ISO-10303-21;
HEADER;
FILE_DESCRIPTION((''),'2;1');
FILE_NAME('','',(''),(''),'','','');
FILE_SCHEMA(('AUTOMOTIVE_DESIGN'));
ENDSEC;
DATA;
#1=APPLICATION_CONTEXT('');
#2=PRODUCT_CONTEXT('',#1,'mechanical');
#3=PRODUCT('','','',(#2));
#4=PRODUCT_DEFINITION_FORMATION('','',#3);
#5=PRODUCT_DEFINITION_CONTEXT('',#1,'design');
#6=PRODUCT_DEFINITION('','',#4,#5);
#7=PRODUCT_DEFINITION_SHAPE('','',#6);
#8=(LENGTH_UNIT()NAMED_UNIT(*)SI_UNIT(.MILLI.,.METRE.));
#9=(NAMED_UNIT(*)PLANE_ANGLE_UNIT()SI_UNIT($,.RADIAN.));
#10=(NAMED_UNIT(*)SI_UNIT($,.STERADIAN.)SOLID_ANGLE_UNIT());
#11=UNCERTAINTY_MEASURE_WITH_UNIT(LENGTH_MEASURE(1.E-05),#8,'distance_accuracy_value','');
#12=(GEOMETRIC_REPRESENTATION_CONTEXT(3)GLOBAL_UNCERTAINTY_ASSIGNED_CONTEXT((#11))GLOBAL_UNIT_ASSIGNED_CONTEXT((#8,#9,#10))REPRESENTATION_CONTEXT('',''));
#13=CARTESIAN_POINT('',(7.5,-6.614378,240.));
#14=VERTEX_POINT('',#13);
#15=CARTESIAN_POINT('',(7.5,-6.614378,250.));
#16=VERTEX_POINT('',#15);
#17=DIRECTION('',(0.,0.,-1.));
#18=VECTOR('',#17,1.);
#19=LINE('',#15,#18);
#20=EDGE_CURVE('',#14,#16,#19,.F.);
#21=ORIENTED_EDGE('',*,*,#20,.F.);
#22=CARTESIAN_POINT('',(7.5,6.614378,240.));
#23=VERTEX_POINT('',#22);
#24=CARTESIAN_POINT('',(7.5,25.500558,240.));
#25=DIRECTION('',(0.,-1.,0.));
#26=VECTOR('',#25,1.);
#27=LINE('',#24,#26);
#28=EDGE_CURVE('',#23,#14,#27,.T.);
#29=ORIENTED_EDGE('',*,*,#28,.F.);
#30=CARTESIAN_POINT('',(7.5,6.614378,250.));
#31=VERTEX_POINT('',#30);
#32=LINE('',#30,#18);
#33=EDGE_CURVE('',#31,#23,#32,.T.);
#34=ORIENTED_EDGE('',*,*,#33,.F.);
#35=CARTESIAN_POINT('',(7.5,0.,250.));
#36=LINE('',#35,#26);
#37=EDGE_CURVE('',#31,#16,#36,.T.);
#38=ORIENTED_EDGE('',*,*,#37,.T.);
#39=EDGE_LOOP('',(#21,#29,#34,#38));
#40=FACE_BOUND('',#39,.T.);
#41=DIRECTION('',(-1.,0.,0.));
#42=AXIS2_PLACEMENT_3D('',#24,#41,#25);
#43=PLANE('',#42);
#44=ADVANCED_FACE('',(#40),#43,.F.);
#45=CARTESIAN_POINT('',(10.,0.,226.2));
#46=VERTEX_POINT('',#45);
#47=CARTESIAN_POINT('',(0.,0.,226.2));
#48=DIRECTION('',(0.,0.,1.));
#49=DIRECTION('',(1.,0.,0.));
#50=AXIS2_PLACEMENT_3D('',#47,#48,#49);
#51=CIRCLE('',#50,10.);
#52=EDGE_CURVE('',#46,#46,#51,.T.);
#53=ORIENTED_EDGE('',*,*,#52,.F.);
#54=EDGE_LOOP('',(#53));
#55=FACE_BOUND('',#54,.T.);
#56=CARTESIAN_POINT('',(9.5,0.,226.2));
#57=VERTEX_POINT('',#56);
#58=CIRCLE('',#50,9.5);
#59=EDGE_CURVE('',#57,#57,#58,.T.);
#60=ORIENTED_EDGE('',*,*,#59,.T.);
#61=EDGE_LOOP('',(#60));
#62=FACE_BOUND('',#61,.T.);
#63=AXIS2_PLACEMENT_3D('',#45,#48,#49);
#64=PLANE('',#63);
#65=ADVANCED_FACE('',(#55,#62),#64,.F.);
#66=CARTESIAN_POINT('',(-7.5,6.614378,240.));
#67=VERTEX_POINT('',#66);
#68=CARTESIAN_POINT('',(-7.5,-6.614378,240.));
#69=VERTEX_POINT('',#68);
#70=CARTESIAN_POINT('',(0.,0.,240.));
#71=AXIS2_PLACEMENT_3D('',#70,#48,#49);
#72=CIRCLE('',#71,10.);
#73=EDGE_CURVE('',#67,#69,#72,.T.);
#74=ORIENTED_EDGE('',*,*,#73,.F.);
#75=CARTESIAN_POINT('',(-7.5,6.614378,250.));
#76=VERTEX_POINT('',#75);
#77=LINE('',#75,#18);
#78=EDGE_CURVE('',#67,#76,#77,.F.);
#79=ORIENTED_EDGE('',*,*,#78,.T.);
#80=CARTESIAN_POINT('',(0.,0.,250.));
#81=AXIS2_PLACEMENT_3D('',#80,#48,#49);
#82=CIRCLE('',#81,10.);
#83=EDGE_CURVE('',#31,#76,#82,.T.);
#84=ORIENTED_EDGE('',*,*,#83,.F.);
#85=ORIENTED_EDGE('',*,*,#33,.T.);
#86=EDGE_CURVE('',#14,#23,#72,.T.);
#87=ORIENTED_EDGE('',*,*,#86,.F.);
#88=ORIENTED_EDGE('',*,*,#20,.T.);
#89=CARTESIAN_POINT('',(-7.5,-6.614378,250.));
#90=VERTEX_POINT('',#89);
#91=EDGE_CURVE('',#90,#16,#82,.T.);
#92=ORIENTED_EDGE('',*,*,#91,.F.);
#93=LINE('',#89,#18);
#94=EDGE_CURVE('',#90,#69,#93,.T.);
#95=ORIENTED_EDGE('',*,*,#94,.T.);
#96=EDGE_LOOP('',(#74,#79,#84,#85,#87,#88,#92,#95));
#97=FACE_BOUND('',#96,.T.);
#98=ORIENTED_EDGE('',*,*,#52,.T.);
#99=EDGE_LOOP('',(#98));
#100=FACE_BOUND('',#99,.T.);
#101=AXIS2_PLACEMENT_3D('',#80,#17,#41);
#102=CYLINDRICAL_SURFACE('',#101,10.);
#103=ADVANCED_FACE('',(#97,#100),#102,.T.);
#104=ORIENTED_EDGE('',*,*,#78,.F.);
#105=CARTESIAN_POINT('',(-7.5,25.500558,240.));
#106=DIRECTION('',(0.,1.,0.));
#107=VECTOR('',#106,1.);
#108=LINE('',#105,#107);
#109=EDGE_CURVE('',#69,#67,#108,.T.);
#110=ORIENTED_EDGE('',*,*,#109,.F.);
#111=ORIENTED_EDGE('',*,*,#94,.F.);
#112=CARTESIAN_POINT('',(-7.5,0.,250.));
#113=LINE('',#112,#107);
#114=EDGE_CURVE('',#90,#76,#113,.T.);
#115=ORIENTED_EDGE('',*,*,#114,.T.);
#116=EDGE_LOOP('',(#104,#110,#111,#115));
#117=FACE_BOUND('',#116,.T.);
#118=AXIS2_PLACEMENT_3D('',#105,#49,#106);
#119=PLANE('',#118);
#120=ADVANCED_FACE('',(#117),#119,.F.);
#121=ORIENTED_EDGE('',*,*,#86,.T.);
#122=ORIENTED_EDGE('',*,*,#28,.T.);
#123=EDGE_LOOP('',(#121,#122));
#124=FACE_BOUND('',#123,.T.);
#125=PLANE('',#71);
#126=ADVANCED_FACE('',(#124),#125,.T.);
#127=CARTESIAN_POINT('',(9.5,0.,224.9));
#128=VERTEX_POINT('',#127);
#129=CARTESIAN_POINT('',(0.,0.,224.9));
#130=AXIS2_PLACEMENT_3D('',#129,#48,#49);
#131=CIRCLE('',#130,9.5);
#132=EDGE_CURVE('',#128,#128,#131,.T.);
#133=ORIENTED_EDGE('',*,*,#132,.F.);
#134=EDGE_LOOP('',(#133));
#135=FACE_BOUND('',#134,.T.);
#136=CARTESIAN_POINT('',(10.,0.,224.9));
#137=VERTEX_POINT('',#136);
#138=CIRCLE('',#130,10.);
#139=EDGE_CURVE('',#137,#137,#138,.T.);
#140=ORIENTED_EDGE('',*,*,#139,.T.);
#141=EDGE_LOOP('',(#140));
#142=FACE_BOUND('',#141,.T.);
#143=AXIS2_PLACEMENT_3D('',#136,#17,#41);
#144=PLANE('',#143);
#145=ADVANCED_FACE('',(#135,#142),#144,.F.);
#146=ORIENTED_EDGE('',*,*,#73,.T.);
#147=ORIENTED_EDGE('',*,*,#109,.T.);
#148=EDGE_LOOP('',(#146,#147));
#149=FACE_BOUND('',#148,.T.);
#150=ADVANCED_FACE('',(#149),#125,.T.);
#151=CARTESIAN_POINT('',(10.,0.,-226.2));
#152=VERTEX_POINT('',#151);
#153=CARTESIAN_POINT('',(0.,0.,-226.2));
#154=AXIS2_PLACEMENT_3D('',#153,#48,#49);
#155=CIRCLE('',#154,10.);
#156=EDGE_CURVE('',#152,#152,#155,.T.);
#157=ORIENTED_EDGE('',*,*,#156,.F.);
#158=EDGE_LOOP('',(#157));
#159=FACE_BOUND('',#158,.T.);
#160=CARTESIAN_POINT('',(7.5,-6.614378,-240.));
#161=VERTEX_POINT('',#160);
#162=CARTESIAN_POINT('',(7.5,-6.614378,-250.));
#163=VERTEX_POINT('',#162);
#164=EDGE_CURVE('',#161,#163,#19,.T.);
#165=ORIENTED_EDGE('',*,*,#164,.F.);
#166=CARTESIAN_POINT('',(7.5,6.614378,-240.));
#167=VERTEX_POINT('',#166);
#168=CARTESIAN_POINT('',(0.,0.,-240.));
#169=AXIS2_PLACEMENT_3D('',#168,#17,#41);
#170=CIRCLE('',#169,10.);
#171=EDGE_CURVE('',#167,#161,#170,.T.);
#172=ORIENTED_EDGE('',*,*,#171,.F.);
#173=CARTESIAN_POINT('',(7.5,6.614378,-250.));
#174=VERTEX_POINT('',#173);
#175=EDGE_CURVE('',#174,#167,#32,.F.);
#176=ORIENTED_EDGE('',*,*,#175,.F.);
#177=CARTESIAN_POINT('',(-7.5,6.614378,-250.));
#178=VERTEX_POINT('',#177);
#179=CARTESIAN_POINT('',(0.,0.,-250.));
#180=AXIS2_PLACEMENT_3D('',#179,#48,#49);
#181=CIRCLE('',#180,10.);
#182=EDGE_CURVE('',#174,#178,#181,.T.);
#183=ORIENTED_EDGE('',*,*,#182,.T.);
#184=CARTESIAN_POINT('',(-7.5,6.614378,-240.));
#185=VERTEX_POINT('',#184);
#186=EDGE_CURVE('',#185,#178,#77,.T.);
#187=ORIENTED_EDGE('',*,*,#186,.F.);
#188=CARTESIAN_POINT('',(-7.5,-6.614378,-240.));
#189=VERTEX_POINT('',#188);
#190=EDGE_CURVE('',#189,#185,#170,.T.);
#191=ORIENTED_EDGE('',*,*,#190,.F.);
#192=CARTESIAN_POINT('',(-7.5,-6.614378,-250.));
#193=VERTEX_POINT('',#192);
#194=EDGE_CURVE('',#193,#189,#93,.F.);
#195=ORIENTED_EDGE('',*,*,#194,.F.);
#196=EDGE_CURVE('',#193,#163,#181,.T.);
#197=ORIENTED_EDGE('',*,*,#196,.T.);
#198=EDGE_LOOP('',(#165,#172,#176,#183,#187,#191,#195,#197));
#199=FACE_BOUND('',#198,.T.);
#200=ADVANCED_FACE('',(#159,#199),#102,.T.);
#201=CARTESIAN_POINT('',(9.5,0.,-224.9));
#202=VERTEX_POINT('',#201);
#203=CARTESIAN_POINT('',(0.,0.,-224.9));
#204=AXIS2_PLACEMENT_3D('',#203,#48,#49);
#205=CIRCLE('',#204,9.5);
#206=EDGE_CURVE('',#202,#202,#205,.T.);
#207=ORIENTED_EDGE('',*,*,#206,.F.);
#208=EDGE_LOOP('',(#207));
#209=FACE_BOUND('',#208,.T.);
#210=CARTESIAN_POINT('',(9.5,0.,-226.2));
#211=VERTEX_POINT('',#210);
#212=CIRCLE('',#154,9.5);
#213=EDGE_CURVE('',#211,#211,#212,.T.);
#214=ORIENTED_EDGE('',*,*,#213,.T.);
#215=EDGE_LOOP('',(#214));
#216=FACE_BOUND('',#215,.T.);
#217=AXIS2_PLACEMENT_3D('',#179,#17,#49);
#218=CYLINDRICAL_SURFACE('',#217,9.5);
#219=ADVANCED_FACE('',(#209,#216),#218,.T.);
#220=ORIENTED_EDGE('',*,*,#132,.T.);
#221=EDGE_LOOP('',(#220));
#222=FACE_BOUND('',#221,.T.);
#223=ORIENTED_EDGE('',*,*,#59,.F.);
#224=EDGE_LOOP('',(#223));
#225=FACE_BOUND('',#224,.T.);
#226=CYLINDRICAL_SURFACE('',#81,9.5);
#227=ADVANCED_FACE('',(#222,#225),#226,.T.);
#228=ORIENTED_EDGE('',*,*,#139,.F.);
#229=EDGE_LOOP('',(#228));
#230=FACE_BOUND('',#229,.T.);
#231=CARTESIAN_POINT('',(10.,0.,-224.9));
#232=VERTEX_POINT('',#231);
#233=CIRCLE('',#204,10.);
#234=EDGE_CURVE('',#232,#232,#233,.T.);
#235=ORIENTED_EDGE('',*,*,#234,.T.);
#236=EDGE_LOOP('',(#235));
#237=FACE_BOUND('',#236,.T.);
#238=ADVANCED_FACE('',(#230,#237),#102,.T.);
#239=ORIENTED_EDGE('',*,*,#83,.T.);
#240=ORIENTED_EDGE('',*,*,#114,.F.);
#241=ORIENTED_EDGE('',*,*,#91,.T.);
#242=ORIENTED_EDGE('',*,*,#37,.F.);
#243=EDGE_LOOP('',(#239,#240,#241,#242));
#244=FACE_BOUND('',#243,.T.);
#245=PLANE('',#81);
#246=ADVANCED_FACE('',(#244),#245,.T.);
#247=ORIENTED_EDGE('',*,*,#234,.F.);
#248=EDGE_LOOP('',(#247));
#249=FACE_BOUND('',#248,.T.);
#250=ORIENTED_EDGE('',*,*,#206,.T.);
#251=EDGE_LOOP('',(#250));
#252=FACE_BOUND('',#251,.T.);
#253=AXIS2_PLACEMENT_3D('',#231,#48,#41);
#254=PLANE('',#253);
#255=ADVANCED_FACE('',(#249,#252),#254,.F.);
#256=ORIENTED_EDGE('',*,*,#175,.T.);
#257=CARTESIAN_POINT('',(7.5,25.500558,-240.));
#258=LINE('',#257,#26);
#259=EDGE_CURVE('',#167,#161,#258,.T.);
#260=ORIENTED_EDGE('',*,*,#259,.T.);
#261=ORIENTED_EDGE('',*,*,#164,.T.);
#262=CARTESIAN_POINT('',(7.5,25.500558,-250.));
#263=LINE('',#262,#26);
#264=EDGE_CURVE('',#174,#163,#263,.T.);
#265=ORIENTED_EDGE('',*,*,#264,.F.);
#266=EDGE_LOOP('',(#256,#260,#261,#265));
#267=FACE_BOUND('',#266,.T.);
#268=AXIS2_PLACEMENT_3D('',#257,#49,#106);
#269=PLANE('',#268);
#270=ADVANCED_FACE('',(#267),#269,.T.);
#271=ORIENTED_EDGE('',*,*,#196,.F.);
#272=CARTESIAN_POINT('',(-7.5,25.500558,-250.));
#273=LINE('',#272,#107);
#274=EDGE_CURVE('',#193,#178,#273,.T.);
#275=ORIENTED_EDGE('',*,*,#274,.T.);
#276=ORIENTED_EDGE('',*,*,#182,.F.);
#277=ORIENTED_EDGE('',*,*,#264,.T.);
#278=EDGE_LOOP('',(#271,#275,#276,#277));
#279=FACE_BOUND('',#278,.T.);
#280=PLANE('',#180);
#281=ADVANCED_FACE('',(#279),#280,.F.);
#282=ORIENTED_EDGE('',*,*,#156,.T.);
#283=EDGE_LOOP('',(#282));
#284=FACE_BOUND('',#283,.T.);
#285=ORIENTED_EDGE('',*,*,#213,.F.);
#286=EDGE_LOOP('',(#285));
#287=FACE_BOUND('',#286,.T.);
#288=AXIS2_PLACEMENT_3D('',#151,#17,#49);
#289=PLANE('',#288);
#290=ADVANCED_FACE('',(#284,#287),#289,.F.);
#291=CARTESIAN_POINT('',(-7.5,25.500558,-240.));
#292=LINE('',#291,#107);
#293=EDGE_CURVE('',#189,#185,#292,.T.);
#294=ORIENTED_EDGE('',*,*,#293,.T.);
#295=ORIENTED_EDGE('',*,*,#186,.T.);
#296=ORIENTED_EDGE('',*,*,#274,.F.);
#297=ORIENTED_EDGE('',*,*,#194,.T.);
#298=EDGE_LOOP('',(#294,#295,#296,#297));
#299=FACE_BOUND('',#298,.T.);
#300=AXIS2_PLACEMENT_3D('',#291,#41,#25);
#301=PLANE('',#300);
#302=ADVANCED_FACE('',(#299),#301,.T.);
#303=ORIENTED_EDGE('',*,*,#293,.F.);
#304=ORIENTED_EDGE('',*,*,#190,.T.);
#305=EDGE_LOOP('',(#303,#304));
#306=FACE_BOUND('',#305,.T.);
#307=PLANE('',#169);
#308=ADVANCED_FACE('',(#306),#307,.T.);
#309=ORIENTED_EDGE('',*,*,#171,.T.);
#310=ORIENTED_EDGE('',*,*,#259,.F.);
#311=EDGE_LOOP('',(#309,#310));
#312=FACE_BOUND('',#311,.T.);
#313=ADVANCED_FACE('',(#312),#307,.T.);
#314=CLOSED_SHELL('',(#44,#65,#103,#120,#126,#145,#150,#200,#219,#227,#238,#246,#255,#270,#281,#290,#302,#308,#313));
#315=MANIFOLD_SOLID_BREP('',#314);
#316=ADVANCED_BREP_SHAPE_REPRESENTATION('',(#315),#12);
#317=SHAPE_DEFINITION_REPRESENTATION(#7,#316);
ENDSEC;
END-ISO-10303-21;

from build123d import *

# Parameters (mm, degrees)
SKETCH_1_R           = 10
EXTRUDE_1_DEPTH      = 250
SKETCH_3_W           = 1.3
SKETCH_3_H           = 0.5
SKETCH_4_OUTSIDE_W   = 122.16
SKETCH_4_OUTSIDE_H   = 122.16
SKETCH_4_OUTSIDE_W_2 = 15
SKETCH_4_OUTSIDE_H_2 = 51.001115416
CUT_EXTRUDE_1_DEPTH  = 10


with BuildPart() as part:
    # 草图1 → 凸台-拉伸1 (new, symmetric)
    with BuildSketch(Plane.XY):
        Circle(SKETCH_1_R)
    extrude(amount=EXTRUDE_1_DEPTH, both=True)

    # 草图3 → 切除-旋转1 (revolve, cut)
    with BuildSketch(Plane(origin=(100, 0, 250), x_dir=(0, 0, -1), z_dir=(0, 1, 0))):
        with Locations((24.45, 90.25)):
            Rectangle(SKETCH_3_W, SKETCH_3_H)
    cut_revolve_1 = revolve(axis=Axis((0, 0, 250), (0, 0, -1)), mode=Mode.SUBTRACT)

    # 草图4 outside → 切除-拉伸1 (cut)
    with BuildSketch(Plane(origin=(0, 0, -250), x_dir=(-1, 0, 0), z_dir=(0, 0, -1))):
        Rectangle(SKETCH_4_OUTSIDE_W, SKETCH_4_OUTSIDE_H)
        Rectangle(SKETCH_4_OUTSIDE_W_2, SKETCH_4_OUTSIDE_H_2, mode=Mode.SUBTRACT)
    cut_extrude_1 = extrude(amount=-CUT_EXTRUDE_1_DEPTH, mode=Mode.SUBTRACT)

    # 镜向1: 切除-旋转1, 切除-拉伸1 across plane
    add(cut_revolve_1.mirror(Plane.XY), mode=Mode.SUBTRACT)
    add(cut_extrude_1.mirror(Plane.XY), mode=Mode.SUBTRACT)


solid = part.part
